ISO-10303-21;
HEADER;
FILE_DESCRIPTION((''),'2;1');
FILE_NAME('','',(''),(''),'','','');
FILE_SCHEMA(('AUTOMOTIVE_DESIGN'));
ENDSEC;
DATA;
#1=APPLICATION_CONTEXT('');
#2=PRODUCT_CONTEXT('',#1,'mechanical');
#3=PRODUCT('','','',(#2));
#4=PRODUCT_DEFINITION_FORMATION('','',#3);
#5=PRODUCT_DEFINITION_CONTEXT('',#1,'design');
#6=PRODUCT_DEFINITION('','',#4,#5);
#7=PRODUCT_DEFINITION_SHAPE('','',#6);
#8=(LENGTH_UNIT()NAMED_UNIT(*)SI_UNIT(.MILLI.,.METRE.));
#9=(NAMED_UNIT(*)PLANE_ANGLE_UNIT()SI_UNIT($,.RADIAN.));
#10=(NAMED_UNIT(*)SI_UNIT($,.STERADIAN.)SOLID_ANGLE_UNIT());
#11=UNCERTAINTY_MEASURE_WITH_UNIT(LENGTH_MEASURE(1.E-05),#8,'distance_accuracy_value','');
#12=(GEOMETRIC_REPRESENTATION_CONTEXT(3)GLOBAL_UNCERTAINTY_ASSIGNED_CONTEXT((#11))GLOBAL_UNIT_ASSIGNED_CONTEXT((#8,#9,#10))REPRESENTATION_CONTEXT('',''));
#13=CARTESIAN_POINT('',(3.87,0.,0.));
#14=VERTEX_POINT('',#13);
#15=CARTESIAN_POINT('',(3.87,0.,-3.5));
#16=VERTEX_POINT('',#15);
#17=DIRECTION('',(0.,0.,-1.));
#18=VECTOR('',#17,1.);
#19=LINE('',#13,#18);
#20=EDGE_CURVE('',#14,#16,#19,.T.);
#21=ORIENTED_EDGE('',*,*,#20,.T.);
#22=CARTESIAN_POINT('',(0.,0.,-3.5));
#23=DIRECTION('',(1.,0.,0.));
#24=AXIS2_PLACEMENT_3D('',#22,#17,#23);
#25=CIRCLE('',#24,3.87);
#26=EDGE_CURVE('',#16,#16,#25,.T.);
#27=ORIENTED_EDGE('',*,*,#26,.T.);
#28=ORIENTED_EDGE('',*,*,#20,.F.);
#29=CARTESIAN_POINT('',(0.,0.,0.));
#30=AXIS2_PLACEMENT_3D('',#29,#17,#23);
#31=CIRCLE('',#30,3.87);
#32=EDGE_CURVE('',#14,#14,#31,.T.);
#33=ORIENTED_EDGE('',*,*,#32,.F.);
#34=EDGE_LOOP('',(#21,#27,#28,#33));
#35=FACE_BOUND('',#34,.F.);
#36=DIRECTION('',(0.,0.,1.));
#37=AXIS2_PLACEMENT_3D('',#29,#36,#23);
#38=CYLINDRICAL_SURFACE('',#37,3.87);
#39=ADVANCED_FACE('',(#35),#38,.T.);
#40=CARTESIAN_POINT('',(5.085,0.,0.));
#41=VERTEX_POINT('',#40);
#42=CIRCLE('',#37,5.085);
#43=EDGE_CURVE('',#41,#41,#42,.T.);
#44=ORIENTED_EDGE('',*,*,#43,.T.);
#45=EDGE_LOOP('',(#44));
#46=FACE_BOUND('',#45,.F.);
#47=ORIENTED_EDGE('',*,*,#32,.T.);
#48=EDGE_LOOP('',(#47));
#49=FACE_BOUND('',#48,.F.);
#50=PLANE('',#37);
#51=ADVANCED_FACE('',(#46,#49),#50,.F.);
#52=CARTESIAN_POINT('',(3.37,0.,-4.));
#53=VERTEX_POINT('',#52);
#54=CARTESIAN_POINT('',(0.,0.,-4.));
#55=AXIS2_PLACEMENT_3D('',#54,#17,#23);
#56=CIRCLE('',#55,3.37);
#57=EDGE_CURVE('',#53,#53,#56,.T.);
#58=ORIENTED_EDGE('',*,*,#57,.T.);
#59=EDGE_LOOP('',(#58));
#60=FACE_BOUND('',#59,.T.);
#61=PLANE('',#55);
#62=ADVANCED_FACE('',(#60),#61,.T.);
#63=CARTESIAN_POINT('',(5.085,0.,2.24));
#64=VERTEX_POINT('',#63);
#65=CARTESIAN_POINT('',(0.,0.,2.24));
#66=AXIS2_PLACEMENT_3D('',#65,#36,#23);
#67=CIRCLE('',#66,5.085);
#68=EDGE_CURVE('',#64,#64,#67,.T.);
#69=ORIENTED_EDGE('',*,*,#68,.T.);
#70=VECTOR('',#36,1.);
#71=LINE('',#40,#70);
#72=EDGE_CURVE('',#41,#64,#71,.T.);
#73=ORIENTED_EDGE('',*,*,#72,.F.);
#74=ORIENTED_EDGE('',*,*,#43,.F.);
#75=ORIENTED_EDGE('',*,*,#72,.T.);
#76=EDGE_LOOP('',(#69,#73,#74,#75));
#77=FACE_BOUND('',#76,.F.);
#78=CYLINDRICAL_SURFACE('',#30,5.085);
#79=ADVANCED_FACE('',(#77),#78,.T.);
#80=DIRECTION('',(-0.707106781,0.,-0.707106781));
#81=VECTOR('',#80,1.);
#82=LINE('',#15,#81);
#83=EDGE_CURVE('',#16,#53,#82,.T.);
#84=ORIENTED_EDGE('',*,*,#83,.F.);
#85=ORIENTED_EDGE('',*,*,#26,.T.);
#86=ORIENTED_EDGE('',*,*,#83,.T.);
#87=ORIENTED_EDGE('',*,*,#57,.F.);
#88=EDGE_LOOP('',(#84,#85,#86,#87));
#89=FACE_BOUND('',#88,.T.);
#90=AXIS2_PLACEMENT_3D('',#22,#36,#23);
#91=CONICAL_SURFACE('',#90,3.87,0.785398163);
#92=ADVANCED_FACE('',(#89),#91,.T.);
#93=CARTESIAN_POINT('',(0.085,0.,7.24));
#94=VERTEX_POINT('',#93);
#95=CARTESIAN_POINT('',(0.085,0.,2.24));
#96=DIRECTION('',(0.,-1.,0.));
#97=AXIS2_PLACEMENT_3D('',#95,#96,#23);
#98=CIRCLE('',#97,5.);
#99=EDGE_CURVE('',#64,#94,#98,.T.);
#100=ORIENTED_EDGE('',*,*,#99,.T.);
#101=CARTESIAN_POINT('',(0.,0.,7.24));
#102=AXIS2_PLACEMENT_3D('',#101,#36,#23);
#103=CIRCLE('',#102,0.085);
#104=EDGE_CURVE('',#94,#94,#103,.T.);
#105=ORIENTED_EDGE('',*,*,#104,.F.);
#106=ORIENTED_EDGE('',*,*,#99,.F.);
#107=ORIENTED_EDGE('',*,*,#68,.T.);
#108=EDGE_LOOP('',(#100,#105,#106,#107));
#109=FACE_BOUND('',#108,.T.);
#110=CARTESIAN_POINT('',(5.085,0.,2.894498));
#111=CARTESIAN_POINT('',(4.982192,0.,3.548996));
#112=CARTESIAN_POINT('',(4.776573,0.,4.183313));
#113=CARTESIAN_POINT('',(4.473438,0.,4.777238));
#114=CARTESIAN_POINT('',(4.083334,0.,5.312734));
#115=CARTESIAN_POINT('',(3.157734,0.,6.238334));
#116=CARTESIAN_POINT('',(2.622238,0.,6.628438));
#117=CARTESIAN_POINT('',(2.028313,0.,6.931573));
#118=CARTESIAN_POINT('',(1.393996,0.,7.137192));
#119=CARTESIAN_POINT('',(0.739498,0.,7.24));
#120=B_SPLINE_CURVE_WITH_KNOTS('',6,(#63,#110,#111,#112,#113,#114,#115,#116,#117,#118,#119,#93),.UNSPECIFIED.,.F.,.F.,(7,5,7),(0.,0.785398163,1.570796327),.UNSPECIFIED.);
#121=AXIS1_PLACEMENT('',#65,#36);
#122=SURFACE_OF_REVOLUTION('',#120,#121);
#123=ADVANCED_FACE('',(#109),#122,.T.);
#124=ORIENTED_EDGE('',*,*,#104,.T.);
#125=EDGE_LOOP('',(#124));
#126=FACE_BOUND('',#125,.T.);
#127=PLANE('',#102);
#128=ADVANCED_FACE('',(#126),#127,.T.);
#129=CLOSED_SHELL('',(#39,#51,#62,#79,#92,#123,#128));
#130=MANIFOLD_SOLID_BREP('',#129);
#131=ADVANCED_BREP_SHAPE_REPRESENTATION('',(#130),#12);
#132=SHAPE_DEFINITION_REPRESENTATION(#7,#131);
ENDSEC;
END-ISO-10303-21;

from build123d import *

# Parameters (mm, degrees)
F0_R     = 5.085
F1_DEPTH = 7.24
F2_R     = 5
F3_R     = 3.87
F4_DEPTH = 4
F5_SIZE  = 0.5


with BuildPart() as f1:
    # F0 (on Top) → F1 (new body)
    with BuildSketch(Plane.XY):
        Circle(F0_R)
    extrude(amount=F1_DEPTH)

    # F2
    f2_edges = [f1.edges().sort_by_distance(p)[0] for p in [
        (-5.085, 0, 7.24),
    ]]
    fillet(f2_edges, radius=F2_R)

    # F3 (on face) → F4 (join)
    with BuildSketch(Plane(origin=(0, 0, 0), x_dir=(1, 0, 0), z_dir=(0, 0, -1))):
        Circle(F3_R)
    extrude(amount=F4_DEPTH)

    # F5
    f5_edges = [f1.edges().sort_by_distance(p)[0] for p in [
        (-3.87, 0, -4),
    ]]
    chamfer(f5_edges, length=F5_SIZE)


solid = f1.part
